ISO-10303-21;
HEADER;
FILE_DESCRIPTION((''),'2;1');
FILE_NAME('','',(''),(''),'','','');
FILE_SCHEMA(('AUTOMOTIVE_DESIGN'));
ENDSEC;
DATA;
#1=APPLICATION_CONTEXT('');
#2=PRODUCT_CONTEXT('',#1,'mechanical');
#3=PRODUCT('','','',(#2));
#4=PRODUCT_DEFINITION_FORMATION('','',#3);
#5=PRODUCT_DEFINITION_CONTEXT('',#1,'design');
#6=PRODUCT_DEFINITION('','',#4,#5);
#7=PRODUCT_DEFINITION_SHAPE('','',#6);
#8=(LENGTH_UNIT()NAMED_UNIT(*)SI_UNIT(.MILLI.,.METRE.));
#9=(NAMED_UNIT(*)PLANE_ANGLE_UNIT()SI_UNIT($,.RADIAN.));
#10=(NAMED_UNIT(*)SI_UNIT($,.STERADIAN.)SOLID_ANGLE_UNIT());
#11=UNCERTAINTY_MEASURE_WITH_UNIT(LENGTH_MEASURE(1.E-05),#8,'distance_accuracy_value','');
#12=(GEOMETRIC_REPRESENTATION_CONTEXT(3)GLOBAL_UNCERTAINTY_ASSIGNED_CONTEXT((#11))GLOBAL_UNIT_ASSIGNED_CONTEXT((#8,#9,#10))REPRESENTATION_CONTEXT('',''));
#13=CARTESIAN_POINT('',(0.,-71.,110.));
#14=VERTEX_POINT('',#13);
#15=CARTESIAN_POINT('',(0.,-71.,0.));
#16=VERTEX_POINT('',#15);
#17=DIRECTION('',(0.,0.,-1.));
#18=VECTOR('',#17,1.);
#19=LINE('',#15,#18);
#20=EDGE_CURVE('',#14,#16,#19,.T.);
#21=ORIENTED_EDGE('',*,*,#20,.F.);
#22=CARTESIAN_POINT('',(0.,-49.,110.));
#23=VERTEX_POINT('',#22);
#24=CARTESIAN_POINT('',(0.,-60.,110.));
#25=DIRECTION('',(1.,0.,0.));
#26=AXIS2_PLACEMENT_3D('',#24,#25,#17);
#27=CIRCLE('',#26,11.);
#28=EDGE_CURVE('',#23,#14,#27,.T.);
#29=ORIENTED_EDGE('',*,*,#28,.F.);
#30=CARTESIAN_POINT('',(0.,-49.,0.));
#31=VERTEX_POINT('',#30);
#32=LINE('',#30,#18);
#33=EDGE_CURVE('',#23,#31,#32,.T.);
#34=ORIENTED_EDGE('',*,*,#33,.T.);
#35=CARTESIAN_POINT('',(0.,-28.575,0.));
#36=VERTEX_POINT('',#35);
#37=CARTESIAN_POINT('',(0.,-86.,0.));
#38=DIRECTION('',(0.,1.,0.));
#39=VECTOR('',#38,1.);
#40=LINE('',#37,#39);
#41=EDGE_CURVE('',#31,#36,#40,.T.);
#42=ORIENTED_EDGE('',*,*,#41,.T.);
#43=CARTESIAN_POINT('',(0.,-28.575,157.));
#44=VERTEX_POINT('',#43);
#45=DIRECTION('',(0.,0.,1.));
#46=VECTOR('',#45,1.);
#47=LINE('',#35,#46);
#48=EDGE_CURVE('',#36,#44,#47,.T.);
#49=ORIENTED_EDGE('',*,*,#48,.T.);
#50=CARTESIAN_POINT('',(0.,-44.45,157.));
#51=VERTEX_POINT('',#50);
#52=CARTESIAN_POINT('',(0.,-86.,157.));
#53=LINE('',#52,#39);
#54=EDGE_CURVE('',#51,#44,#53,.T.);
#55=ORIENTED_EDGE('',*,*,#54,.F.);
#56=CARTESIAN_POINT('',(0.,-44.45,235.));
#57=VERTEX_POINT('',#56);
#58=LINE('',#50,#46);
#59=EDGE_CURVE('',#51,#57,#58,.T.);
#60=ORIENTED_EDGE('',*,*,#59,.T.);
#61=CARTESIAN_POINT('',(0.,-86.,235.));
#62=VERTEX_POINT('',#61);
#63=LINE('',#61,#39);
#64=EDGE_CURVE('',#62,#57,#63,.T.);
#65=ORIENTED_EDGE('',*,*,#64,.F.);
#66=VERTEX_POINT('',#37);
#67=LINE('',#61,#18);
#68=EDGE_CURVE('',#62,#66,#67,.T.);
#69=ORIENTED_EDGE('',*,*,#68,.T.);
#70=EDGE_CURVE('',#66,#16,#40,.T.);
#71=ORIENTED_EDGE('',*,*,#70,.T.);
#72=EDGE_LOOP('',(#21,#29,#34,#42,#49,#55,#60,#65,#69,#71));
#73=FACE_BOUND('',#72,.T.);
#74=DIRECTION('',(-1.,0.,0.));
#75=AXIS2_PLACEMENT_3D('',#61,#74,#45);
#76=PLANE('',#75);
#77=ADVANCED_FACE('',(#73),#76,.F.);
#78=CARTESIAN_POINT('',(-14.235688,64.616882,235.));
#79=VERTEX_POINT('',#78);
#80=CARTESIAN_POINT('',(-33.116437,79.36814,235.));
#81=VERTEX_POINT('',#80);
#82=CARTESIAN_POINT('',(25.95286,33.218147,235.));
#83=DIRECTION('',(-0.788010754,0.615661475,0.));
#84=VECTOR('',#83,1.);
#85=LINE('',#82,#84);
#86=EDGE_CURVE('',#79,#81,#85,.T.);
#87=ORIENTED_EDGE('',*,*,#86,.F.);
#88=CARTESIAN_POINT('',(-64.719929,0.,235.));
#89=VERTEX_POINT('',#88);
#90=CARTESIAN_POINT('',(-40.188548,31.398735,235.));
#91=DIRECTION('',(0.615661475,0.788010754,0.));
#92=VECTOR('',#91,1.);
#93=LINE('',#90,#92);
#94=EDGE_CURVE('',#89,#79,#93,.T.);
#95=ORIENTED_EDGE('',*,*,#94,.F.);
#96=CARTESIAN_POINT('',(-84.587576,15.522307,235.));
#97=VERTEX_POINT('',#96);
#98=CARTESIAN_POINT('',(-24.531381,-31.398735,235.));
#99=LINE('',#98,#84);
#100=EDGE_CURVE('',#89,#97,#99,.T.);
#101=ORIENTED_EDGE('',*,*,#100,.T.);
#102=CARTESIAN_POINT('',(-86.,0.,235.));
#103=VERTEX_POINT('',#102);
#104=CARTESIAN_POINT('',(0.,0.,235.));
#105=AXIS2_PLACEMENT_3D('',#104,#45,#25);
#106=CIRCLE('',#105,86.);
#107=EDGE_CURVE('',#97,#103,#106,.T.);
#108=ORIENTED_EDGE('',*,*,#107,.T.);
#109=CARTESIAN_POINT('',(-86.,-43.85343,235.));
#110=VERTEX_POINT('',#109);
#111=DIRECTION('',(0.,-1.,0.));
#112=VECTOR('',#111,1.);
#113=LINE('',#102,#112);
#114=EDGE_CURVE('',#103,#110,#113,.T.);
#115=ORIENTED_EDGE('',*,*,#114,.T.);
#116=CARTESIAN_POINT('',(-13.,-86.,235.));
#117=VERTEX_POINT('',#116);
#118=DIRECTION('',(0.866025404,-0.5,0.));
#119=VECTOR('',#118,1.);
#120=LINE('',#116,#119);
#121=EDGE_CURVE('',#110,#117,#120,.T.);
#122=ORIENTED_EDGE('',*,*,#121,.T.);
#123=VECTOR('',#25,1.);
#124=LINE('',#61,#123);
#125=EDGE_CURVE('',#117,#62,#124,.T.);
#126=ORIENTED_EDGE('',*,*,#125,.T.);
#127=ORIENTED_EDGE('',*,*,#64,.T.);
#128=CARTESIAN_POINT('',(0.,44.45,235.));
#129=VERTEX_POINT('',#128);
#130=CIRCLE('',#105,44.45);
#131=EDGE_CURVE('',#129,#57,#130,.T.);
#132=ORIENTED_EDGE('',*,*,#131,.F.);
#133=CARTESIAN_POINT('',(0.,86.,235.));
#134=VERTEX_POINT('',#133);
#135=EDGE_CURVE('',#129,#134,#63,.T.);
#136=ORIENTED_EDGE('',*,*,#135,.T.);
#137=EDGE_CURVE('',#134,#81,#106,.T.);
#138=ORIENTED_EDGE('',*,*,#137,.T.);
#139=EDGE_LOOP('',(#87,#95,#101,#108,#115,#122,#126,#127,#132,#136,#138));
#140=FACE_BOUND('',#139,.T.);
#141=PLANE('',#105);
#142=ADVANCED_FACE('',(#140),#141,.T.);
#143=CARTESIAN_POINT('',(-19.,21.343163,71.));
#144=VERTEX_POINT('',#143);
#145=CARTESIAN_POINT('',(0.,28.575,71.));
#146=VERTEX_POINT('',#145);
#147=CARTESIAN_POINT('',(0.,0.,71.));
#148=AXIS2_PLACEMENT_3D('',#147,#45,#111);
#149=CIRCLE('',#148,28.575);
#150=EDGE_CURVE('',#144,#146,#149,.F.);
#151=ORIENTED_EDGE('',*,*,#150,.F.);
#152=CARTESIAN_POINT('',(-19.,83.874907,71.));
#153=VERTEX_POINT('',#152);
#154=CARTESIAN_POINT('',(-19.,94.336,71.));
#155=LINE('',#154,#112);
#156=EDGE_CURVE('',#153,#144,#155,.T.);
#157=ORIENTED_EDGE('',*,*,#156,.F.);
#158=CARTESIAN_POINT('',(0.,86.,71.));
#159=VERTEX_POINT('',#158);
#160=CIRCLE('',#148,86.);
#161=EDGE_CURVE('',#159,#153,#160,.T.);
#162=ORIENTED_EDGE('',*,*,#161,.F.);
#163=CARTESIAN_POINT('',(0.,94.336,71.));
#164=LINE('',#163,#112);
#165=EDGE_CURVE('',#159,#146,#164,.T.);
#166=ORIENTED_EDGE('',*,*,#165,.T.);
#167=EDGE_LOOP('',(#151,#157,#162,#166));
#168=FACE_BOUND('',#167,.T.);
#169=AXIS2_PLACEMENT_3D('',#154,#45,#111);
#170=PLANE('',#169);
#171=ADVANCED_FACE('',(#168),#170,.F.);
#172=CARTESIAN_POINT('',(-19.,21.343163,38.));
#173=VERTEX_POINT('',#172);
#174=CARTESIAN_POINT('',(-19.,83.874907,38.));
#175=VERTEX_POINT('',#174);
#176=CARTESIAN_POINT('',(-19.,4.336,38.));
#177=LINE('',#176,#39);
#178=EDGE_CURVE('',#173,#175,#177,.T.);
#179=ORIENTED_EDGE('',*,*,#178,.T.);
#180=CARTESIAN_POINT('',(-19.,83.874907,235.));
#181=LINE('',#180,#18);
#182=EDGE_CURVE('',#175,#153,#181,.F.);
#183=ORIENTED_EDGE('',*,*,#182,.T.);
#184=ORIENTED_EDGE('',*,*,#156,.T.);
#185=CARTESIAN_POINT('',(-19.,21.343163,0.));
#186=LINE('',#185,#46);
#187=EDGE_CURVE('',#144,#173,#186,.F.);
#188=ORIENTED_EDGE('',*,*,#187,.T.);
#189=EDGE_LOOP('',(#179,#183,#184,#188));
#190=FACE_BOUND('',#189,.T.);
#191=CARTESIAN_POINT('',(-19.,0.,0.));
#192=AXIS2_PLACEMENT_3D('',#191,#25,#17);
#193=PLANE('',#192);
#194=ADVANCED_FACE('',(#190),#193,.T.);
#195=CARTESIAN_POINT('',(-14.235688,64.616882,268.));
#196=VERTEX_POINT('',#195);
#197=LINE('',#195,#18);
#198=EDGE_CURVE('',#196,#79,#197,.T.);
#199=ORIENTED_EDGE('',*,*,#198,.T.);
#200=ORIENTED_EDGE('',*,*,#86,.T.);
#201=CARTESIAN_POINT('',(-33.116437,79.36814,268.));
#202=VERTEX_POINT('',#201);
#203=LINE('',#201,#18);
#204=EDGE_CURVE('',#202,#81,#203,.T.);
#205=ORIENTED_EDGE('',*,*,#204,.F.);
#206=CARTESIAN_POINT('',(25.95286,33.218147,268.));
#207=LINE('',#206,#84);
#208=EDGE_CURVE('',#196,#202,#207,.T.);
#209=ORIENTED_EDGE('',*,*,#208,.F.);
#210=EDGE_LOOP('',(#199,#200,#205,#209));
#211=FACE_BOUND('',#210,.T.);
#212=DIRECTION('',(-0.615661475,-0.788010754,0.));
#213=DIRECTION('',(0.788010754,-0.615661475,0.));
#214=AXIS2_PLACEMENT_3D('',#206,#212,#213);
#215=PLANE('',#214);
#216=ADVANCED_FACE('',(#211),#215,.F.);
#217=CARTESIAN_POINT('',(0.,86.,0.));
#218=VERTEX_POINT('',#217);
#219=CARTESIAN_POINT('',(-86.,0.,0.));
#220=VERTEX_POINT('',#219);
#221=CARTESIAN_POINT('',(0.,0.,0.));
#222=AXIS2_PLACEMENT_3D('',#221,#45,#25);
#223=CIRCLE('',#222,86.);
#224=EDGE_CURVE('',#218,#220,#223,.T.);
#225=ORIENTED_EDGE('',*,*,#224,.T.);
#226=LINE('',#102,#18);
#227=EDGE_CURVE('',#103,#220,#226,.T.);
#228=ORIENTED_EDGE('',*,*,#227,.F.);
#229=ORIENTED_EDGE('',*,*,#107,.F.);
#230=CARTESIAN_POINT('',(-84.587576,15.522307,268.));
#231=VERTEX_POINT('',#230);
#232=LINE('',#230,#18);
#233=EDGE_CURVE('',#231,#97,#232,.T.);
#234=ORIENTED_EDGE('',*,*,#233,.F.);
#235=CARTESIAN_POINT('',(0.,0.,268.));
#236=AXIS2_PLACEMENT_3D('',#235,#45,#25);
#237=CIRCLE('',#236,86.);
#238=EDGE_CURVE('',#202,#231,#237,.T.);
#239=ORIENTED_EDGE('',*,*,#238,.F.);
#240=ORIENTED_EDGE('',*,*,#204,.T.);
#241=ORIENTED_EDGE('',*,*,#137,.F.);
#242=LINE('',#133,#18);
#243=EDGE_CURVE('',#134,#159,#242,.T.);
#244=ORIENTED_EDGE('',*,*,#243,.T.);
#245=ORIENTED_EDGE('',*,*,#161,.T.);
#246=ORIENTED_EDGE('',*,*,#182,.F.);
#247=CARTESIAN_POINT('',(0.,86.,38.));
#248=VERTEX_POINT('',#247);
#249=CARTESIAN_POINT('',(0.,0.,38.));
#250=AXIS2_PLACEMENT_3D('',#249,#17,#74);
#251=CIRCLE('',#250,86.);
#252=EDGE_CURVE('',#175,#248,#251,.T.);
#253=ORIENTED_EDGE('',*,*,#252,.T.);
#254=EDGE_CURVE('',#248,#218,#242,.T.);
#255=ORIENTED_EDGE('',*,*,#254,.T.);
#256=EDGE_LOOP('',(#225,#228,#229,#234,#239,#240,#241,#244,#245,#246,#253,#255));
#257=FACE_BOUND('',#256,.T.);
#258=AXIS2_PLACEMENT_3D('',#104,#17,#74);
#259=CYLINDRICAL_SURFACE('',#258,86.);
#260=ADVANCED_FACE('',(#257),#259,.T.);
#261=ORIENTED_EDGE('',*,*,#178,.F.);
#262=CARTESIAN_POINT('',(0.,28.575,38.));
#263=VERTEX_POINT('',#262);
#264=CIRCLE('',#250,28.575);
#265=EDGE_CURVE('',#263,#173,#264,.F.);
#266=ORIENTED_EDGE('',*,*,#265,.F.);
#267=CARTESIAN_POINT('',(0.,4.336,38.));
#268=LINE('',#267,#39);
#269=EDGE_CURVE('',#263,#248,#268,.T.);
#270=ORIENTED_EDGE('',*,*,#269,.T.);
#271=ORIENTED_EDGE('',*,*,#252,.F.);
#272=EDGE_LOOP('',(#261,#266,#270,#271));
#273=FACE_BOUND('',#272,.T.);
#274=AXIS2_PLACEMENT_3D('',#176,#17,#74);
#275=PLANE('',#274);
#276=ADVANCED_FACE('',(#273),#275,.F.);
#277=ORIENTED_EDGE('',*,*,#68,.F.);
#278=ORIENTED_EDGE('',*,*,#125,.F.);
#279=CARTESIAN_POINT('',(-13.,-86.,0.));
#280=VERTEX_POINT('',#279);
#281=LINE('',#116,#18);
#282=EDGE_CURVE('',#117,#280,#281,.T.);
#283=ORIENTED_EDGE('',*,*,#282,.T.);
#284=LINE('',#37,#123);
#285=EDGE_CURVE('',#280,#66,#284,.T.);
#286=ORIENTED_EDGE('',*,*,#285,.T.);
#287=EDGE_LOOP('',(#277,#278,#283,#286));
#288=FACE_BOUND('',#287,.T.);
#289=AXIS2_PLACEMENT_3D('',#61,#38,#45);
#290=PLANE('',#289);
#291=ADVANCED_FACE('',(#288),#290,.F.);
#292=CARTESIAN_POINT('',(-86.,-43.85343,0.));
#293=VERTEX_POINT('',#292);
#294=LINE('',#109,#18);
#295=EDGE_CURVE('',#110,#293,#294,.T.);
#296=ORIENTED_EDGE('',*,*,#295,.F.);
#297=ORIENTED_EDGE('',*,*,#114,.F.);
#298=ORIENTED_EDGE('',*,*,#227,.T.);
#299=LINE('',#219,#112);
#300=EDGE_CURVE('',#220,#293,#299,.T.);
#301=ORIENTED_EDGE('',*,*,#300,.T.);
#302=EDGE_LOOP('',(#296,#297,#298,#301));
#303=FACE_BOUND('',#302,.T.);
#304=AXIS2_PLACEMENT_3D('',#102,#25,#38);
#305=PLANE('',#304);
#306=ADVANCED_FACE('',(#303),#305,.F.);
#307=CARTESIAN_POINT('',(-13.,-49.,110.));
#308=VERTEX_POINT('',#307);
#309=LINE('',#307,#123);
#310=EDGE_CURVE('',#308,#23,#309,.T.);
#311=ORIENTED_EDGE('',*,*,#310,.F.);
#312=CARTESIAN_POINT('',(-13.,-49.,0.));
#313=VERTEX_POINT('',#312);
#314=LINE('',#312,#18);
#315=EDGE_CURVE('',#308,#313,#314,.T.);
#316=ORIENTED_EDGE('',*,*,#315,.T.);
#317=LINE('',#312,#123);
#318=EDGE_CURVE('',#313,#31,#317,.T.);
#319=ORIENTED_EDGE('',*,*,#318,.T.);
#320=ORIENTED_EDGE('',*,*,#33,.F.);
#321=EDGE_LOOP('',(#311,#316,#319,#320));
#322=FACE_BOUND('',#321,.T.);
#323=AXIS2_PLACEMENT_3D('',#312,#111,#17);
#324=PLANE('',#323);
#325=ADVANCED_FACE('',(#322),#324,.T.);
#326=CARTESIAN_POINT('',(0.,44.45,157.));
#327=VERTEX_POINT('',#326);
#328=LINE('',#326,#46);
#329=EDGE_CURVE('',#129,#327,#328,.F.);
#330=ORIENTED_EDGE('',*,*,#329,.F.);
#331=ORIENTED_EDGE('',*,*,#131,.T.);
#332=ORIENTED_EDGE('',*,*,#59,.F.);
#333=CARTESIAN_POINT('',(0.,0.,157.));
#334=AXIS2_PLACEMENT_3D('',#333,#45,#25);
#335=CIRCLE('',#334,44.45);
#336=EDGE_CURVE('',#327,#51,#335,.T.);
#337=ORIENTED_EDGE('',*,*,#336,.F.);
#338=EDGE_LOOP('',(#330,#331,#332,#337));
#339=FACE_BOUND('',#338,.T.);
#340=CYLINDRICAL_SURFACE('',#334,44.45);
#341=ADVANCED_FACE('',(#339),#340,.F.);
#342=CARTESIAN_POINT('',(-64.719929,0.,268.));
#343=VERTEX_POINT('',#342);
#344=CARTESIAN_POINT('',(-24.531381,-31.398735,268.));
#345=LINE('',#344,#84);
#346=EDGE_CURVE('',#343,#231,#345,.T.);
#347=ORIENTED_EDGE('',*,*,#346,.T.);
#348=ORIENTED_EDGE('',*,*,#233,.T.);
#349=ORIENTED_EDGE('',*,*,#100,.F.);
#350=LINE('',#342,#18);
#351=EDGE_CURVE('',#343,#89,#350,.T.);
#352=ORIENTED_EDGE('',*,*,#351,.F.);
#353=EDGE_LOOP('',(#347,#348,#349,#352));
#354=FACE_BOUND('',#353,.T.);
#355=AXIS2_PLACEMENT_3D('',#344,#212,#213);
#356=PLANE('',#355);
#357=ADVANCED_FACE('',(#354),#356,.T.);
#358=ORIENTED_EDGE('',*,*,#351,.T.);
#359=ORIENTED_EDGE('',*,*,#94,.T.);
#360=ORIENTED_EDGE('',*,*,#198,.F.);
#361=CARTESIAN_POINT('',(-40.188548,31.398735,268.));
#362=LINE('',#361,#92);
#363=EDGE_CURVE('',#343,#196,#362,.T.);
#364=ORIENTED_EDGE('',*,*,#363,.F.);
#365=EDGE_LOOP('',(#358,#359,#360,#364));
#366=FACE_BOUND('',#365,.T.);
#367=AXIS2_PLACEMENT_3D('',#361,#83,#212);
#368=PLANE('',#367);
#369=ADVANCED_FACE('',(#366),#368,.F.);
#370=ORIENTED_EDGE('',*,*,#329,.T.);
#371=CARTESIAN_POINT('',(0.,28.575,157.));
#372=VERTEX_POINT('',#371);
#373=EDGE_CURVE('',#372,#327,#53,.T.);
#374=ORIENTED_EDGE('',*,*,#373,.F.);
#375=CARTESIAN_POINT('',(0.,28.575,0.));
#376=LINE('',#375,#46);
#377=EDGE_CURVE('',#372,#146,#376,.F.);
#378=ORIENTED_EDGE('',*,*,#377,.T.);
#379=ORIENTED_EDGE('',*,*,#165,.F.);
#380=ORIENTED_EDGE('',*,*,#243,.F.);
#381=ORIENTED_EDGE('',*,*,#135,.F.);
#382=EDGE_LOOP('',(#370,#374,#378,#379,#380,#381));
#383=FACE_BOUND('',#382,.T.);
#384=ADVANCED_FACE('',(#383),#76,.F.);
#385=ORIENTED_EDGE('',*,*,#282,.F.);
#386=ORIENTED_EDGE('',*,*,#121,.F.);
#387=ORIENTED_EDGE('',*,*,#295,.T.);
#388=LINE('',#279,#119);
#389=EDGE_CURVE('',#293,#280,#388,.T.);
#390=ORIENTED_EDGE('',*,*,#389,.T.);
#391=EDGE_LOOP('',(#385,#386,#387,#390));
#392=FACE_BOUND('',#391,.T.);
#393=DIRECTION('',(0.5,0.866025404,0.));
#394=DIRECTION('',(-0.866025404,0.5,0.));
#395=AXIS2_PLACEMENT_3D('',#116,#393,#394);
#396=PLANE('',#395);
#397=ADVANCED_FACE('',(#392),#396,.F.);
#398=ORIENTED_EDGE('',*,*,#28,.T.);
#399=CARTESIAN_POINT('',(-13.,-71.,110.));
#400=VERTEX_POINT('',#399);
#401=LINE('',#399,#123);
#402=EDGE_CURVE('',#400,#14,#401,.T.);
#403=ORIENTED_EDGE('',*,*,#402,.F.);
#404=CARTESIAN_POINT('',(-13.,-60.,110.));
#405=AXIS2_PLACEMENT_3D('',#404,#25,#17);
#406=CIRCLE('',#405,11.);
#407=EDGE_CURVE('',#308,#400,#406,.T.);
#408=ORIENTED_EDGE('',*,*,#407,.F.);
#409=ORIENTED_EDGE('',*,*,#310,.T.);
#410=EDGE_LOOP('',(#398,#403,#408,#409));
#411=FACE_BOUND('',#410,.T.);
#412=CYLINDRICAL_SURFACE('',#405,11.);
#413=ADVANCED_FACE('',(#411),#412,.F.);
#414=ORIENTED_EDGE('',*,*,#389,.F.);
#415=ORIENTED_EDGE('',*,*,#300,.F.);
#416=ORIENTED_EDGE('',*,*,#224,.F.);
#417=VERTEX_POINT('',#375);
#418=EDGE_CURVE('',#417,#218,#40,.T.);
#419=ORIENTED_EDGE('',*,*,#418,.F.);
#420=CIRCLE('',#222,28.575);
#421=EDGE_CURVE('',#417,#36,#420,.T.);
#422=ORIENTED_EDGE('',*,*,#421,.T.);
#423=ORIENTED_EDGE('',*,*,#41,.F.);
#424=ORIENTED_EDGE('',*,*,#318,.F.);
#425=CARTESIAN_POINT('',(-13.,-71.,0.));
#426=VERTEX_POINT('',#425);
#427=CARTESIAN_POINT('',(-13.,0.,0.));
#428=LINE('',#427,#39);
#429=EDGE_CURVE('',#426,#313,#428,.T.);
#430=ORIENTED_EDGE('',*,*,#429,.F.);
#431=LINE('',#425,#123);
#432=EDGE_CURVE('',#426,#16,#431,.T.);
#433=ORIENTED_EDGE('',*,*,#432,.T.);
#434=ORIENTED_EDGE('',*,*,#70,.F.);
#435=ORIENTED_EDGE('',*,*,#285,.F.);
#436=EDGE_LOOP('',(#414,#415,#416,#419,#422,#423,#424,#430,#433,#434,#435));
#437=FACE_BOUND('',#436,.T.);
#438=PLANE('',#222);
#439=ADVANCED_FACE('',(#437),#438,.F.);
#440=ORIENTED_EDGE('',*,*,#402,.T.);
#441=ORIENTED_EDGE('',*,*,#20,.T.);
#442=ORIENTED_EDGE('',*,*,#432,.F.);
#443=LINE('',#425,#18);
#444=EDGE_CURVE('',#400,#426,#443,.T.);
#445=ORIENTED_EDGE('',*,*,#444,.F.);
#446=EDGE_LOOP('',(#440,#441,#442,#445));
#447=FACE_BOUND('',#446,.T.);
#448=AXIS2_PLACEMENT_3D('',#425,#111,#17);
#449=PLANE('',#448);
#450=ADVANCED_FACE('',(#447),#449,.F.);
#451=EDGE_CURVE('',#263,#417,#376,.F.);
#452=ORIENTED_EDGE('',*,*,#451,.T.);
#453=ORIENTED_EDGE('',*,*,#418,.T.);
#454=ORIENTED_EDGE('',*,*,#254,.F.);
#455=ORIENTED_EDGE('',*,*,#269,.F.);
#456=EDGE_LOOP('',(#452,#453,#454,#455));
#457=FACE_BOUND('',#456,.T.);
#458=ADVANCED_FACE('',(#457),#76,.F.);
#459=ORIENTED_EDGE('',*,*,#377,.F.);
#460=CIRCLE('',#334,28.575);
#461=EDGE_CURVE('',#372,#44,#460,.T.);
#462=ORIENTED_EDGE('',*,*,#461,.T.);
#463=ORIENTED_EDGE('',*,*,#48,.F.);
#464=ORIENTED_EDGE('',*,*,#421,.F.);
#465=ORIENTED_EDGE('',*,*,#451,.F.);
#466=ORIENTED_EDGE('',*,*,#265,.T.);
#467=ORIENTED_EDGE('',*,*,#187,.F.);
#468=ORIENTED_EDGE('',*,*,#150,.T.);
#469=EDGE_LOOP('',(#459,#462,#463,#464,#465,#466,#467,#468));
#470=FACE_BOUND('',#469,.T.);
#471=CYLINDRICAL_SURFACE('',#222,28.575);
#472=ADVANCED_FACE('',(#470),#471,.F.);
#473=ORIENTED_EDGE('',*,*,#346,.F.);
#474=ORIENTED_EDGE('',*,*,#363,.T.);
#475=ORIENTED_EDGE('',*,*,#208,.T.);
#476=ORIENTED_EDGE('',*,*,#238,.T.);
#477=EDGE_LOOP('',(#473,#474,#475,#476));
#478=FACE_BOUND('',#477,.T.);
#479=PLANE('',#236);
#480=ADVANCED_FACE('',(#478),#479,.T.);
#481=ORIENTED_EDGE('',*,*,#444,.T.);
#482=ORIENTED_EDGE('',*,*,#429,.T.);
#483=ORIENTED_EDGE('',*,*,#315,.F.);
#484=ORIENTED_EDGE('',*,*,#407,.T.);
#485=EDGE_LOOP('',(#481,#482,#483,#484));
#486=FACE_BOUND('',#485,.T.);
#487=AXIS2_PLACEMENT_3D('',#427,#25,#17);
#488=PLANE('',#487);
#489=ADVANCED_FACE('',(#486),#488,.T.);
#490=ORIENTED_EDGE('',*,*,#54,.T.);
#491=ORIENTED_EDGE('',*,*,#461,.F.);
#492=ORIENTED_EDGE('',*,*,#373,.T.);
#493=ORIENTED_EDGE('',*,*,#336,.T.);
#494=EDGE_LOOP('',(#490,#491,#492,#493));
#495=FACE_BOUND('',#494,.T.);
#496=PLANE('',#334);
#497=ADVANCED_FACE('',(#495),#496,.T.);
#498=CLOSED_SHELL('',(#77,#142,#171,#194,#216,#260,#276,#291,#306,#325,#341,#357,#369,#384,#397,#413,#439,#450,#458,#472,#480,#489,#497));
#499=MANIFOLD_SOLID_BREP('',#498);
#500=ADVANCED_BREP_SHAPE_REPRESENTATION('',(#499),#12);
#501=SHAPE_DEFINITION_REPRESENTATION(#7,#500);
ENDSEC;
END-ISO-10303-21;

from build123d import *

# Parameters (mm, degrees)
BOSS_EXTRU_1_DEPTH      = 235
ESQUISSE2_R             = 44.45
ENL_V_MAT_EXTRU_1_DEPTH = 78
ESQUISSE3_R             = 28.575
ENL_V_MAT_EXTRU_2_DEPTH = 199.597583067
BOSS_EXTRU_4_DEPTH      = 33
ESQUISSE8_W             = 33
ESQUISSE8_H             = 90
ENL_V_MAT_EXTRU_4_DEPTH = 19
ENL_V_MAT_EXTRU_5_DEPTH = 13


with BuildPart() as part:
    # Esquisse1 → Boss.-Extru.1 (new body)
    with BuildSketch(Plane.XY):
        with BuildLine():
            Line((0, -86), (0, 86))
            ThreePointArc((0, 86), (-60.811183182, 60.811183182), (-86, 0))
            Line((-86, 0), (-86, -43.853430349))
            Line((-86, -43.853430349), (-13, -86))
            Line((-13, -86), (0, -86))
        make_face()
    extrude(amount=BOSS_EXTRU_1_DEPTH)

    # Esquisse2 → Enlèv. mat.-Extru.1 (cut)
    with BuildSketch(Plane.XY.offset(235)):
        Circle(ESQUISSE2_R)
    extrude(amount=-ENL_V_MAT_EXTRU_1_DEPTH, mode=Mode.SUBTRACT)

    # Esquisse3 → Enlèv. mat.-Extru.2 (cut, through all)
    with BuildSketch(Plane.XY.offset(157)):
        Circle(ESQUISSE3_R)
    extrude(amount=-ENL_V_MAT_EXTRU_2_DEPTH, mode=Mode.SUBTRACT)

    # Esquisse7 → Boss.-Extru.4 (add)
    with BuildSketch(Plane.XY.offset(235)):
        with BuildLine():
            Line((-64.719928969, 0), (-40.188548434, 31.398735242))
            Line((-40.188548434, 31.398735242), (-14.235687992, 64.616881796))
            Line((-14.235687992, 64.616881796), (-33.116437077, 79.368139674))
            ThreePointArc((-33.116437077, 79.368139674), (-66.952455175, 53.975631039), (-84.587575845, 15.522306937))
            Line((-84.587575845, 15.522306937), (-64.719928969, 0))
        make_face()
    extrude(amount=BOSS_EXTRU_4_DEPTH)

    # Esquisse8 → Enlèv. mat.-Extru.4 (cut)
    with BuildSketch(Plane(origin=(0, 0, 0), x_dir=(0, 0, -1), z_dir=(1, 0, 0))):
        with Locations((-54.5, 49.335999727)):
            Rectangle(ESQUISSE8_W, ESQUISSE8_H)
    extrude(amount=-ENL_V_MAT_EXTRU_4_DEPTH, mode=Mode.SUBTRACT)

    # Esquisse9 → Enlèv. mat.-Extru.5 (cut)
    with BuildSketch(Plane(origin=(0, 0, 0), x_dir=(0, 0, -1), z_dir=(1, 0, 0))):
        with BuildLine():
            Line((-110, -49), (0, -49))
            Line((0, -49), (0, -71))
            Line((0, -71), (-110, -71))
            ThreePointArc((-110, -71), (-121, -60), (-110, -49))
        make_face()
    extrude(amount=-ENL_V_MAT_EXTRU_5_DEPTH, mode=Mode.SUBTRACT)


solid = part.part
